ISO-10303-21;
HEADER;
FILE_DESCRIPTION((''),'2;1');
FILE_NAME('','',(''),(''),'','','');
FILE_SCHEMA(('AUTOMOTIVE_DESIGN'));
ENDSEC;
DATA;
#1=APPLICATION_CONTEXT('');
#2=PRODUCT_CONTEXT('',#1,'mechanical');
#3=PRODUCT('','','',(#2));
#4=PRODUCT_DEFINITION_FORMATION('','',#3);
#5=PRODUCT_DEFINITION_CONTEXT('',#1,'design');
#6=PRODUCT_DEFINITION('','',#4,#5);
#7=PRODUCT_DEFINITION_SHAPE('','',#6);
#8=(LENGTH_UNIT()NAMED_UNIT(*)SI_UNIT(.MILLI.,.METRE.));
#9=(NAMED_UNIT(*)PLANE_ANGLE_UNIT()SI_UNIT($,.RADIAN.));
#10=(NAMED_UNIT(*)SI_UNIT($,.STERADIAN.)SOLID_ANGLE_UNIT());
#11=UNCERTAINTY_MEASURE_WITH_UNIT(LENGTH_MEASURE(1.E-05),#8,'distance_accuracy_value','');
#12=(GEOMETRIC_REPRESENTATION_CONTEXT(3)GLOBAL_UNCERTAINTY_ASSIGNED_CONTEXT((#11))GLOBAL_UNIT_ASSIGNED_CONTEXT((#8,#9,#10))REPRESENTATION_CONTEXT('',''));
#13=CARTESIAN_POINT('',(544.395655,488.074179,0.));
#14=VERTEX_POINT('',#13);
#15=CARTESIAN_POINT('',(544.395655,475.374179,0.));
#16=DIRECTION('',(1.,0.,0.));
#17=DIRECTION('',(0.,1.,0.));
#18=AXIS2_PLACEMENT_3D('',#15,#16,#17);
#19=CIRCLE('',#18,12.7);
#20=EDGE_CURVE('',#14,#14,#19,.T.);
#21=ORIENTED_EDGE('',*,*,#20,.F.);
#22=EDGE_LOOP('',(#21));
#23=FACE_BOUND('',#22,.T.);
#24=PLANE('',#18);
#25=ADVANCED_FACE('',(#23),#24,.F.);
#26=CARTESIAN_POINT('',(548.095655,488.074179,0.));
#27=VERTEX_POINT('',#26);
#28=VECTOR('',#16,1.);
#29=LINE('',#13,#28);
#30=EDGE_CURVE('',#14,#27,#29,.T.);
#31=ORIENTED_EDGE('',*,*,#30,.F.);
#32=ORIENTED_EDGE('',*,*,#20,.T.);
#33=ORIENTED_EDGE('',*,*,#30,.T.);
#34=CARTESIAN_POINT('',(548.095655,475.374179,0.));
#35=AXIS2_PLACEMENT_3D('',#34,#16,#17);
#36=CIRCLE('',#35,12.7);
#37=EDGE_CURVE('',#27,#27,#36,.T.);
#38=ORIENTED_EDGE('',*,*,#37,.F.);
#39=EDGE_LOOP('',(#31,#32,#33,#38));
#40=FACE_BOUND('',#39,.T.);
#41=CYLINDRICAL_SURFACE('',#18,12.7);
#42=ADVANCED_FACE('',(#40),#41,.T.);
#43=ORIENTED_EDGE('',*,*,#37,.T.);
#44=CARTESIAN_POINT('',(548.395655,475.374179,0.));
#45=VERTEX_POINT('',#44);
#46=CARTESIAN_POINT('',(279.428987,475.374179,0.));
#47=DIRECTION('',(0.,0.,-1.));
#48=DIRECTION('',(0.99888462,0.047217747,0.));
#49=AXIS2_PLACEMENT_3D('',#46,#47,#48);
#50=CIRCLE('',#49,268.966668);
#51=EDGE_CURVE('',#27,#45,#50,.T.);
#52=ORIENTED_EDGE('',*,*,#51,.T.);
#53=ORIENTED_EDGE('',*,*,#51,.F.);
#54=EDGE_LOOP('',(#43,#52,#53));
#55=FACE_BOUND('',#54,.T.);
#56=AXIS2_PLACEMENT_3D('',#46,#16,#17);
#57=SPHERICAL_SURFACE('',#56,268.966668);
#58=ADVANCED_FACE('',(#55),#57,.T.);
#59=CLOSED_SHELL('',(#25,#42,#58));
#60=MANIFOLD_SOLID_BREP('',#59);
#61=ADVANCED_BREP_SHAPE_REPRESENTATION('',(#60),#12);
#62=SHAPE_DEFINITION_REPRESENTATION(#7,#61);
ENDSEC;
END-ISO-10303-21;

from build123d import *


with BuildPart() as part:
    # 草图1 → 旋转1 (revolve)
    with BuildSketch(Plane.XY):
        with BuildLine():
            Line((544.395654624, 475.374178646), (544.395654624, 488.074178646))
            Line((544.395654624, 488.074178646), (548.095654624, 488.074178646))
            ThreePointArc((548.095654624, 488.074178646), (548.320644164, 481.725950053), (548.395654624, 475.374178646))
            Line((548.395654624, 475.374178646), (544.395654624, 475.374178646))
        make_face()
    revolve(axis=Axis((538.765758572, 475.374178646, 0), (1, 0, 0)))


solid = part.part
